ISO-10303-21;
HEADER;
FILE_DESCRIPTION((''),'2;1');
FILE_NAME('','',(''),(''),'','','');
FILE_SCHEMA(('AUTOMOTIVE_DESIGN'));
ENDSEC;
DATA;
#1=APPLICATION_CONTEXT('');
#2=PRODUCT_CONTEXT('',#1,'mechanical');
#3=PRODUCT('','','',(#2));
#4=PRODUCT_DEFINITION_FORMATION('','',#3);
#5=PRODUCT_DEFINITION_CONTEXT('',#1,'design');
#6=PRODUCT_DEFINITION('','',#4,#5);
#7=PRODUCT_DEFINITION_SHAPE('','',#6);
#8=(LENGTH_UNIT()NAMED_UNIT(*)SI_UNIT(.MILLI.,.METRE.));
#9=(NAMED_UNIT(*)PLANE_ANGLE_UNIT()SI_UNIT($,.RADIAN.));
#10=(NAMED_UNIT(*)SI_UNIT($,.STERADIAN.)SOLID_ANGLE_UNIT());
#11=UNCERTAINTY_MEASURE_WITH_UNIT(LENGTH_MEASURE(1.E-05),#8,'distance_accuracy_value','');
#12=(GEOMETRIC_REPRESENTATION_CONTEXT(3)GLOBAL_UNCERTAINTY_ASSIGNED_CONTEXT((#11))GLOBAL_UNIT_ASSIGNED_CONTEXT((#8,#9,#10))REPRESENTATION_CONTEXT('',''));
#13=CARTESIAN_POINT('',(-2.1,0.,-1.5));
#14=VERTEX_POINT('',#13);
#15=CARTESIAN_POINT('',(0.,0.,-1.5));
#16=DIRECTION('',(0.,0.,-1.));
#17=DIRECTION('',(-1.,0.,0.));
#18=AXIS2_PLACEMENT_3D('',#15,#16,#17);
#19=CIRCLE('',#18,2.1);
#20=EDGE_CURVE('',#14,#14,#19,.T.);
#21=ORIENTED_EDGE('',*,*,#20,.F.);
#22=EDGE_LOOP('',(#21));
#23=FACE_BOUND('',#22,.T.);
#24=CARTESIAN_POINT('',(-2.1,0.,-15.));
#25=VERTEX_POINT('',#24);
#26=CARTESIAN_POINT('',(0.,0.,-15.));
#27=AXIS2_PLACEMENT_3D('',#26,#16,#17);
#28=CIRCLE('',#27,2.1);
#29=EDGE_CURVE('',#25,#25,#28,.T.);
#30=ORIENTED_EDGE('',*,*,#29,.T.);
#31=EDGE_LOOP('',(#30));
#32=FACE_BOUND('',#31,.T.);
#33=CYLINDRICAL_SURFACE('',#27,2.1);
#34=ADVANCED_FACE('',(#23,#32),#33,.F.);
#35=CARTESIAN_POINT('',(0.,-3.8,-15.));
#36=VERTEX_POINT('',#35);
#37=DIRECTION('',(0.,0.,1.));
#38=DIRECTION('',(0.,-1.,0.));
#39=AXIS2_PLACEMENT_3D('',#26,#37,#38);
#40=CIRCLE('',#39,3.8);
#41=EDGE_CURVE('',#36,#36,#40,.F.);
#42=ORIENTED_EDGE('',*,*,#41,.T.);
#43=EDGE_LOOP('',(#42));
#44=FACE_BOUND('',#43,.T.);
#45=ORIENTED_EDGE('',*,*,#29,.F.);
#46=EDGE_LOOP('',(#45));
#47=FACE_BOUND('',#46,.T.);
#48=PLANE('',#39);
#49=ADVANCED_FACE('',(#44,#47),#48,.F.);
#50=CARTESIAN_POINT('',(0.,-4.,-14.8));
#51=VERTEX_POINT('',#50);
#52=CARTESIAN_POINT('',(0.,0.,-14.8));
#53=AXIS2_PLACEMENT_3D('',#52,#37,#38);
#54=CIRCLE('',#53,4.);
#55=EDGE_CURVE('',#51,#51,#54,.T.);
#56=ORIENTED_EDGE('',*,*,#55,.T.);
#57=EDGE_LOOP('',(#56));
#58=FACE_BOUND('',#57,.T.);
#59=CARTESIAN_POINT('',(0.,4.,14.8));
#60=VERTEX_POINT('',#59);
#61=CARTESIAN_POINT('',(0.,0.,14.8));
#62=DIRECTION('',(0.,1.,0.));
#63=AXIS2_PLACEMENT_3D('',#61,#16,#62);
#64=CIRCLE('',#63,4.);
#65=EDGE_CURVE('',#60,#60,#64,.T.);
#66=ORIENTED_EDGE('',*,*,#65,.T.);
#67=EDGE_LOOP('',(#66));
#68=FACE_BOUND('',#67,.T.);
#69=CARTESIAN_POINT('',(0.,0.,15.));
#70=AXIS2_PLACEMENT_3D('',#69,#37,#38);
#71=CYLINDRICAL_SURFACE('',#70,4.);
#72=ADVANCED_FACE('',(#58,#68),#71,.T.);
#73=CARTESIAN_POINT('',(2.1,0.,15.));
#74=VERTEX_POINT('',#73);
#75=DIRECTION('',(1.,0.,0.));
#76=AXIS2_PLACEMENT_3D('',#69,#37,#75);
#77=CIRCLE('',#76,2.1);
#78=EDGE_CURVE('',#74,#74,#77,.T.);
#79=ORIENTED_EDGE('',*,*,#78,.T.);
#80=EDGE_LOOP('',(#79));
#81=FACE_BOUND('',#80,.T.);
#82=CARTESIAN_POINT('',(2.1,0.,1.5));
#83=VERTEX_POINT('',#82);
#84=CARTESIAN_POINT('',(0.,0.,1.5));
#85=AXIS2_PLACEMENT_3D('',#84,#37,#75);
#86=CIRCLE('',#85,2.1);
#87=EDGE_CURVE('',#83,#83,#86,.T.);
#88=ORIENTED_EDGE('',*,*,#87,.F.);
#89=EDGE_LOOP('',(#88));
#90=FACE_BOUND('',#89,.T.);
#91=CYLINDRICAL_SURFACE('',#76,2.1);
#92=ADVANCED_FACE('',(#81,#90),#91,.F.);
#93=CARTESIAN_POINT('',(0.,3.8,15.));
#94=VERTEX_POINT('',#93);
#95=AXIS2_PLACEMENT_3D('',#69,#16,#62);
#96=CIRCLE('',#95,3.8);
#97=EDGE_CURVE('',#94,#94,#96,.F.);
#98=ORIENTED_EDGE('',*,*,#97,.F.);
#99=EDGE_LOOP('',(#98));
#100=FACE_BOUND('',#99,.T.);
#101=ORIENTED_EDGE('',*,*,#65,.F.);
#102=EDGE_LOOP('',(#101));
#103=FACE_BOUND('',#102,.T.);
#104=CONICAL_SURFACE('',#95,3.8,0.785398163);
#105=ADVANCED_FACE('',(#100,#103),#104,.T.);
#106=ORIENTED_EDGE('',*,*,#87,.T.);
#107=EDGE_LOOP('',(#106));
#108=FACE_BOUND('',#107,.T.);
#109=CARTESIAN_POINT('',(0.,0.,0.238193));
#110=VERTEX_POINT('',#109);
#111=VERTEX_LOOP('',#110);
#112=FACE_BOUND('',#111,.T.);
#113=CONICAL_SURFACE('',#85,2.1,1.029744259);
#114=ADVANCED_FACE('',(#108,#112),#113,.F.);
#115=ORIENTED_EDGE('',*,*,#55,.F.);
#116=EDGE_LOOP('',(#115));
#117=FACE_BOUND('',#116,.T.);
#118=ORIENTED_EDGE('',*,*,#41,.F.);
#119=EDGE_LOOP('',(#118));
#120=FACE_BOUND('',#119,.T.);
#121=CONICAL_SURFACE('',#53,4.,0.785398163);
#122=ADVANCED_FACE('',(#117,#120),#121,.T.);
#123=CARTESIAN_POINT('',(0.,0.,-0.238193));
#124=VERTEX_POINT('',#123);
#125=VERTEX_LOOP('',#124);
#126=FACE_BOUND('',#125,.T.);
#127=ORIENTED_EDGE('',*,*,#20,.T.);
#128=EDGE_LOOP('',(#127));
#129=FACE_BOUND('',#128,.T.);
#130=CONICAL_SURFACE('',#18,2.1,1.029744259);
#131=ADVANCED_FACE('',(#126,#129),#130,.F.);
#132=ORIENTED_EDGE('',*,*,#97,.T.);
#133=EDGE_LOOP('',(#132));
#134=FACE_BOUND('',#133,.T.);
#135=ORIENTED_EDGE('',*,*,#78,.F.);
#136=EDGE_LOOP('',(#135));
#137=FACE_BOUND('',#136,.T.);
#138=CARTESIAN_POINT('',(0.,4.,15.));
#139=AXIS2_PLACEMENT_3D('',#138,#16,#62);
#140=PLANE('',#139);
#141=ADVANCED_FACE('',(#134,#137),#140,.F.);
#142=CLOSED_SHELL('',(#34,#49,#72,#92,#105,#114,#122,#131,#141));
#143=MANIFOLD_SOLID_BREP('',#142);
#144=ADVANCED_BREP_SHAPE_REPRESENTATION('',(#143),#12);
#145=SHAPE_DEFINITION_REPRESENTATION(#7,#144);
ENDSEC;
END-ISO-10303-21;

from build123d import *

# Parameters (mm, degrees)
SKETCH_1_W     = 30
SKETCH_1_H     = 4
CHAMFER_1_SIZE = 0.2


with BuildPart() as part:
    # 草图1 → 旋转1 (revolve)
    with BuildSketch(Plane(origin=(0, 0, 0), x_dir=(0, 0, -1), z_dir=(1, 0, 0)), mode=Mode.PRIVATE) as revolve_1_sk:
        with Locations((0, 2)):
            Rectangle(SKETCH_1_W, SKETCH_1_H)
    revolve(revolve_1_sk.sketch.rotate(Axis((0, 0, 15), (0, 0, -1)), 180), axis=Axis((0, 0, 15), (0, 0, -1)))

    # 草图3 → Hole Wizard 1 (revolve, cut)
    with BuildSketch(Plane(origin=(0, 0, 15), x_dir=(0, -1, 0), z_dir=(1, 0, 0))):
        Polygon((0, 0), (0, 14.7618073), (2.1, 13.5), (2.1, 0), align=None)
    hole_wizard_1 = revolve(axis=Axis((0, 0, 21.35), (0, 0, -1)), mode=Mode.SUBTRACT)

    # 镜向1: Hole Wizard 1 across plane
    add(hole_wizard_1.mirror(Plane.XY), mode=Mode.SUBTRACT)

    # 倒角1
    chamfer_1_edges = [part.edges().sort_by_distance(p)[0] for p in [
        (0, 4, -15),
        (0, 4, 15),
    ]]
    chamfer(chamfer_1_edges, length=CHAMFER_1_SIZE)


solid = part.part
